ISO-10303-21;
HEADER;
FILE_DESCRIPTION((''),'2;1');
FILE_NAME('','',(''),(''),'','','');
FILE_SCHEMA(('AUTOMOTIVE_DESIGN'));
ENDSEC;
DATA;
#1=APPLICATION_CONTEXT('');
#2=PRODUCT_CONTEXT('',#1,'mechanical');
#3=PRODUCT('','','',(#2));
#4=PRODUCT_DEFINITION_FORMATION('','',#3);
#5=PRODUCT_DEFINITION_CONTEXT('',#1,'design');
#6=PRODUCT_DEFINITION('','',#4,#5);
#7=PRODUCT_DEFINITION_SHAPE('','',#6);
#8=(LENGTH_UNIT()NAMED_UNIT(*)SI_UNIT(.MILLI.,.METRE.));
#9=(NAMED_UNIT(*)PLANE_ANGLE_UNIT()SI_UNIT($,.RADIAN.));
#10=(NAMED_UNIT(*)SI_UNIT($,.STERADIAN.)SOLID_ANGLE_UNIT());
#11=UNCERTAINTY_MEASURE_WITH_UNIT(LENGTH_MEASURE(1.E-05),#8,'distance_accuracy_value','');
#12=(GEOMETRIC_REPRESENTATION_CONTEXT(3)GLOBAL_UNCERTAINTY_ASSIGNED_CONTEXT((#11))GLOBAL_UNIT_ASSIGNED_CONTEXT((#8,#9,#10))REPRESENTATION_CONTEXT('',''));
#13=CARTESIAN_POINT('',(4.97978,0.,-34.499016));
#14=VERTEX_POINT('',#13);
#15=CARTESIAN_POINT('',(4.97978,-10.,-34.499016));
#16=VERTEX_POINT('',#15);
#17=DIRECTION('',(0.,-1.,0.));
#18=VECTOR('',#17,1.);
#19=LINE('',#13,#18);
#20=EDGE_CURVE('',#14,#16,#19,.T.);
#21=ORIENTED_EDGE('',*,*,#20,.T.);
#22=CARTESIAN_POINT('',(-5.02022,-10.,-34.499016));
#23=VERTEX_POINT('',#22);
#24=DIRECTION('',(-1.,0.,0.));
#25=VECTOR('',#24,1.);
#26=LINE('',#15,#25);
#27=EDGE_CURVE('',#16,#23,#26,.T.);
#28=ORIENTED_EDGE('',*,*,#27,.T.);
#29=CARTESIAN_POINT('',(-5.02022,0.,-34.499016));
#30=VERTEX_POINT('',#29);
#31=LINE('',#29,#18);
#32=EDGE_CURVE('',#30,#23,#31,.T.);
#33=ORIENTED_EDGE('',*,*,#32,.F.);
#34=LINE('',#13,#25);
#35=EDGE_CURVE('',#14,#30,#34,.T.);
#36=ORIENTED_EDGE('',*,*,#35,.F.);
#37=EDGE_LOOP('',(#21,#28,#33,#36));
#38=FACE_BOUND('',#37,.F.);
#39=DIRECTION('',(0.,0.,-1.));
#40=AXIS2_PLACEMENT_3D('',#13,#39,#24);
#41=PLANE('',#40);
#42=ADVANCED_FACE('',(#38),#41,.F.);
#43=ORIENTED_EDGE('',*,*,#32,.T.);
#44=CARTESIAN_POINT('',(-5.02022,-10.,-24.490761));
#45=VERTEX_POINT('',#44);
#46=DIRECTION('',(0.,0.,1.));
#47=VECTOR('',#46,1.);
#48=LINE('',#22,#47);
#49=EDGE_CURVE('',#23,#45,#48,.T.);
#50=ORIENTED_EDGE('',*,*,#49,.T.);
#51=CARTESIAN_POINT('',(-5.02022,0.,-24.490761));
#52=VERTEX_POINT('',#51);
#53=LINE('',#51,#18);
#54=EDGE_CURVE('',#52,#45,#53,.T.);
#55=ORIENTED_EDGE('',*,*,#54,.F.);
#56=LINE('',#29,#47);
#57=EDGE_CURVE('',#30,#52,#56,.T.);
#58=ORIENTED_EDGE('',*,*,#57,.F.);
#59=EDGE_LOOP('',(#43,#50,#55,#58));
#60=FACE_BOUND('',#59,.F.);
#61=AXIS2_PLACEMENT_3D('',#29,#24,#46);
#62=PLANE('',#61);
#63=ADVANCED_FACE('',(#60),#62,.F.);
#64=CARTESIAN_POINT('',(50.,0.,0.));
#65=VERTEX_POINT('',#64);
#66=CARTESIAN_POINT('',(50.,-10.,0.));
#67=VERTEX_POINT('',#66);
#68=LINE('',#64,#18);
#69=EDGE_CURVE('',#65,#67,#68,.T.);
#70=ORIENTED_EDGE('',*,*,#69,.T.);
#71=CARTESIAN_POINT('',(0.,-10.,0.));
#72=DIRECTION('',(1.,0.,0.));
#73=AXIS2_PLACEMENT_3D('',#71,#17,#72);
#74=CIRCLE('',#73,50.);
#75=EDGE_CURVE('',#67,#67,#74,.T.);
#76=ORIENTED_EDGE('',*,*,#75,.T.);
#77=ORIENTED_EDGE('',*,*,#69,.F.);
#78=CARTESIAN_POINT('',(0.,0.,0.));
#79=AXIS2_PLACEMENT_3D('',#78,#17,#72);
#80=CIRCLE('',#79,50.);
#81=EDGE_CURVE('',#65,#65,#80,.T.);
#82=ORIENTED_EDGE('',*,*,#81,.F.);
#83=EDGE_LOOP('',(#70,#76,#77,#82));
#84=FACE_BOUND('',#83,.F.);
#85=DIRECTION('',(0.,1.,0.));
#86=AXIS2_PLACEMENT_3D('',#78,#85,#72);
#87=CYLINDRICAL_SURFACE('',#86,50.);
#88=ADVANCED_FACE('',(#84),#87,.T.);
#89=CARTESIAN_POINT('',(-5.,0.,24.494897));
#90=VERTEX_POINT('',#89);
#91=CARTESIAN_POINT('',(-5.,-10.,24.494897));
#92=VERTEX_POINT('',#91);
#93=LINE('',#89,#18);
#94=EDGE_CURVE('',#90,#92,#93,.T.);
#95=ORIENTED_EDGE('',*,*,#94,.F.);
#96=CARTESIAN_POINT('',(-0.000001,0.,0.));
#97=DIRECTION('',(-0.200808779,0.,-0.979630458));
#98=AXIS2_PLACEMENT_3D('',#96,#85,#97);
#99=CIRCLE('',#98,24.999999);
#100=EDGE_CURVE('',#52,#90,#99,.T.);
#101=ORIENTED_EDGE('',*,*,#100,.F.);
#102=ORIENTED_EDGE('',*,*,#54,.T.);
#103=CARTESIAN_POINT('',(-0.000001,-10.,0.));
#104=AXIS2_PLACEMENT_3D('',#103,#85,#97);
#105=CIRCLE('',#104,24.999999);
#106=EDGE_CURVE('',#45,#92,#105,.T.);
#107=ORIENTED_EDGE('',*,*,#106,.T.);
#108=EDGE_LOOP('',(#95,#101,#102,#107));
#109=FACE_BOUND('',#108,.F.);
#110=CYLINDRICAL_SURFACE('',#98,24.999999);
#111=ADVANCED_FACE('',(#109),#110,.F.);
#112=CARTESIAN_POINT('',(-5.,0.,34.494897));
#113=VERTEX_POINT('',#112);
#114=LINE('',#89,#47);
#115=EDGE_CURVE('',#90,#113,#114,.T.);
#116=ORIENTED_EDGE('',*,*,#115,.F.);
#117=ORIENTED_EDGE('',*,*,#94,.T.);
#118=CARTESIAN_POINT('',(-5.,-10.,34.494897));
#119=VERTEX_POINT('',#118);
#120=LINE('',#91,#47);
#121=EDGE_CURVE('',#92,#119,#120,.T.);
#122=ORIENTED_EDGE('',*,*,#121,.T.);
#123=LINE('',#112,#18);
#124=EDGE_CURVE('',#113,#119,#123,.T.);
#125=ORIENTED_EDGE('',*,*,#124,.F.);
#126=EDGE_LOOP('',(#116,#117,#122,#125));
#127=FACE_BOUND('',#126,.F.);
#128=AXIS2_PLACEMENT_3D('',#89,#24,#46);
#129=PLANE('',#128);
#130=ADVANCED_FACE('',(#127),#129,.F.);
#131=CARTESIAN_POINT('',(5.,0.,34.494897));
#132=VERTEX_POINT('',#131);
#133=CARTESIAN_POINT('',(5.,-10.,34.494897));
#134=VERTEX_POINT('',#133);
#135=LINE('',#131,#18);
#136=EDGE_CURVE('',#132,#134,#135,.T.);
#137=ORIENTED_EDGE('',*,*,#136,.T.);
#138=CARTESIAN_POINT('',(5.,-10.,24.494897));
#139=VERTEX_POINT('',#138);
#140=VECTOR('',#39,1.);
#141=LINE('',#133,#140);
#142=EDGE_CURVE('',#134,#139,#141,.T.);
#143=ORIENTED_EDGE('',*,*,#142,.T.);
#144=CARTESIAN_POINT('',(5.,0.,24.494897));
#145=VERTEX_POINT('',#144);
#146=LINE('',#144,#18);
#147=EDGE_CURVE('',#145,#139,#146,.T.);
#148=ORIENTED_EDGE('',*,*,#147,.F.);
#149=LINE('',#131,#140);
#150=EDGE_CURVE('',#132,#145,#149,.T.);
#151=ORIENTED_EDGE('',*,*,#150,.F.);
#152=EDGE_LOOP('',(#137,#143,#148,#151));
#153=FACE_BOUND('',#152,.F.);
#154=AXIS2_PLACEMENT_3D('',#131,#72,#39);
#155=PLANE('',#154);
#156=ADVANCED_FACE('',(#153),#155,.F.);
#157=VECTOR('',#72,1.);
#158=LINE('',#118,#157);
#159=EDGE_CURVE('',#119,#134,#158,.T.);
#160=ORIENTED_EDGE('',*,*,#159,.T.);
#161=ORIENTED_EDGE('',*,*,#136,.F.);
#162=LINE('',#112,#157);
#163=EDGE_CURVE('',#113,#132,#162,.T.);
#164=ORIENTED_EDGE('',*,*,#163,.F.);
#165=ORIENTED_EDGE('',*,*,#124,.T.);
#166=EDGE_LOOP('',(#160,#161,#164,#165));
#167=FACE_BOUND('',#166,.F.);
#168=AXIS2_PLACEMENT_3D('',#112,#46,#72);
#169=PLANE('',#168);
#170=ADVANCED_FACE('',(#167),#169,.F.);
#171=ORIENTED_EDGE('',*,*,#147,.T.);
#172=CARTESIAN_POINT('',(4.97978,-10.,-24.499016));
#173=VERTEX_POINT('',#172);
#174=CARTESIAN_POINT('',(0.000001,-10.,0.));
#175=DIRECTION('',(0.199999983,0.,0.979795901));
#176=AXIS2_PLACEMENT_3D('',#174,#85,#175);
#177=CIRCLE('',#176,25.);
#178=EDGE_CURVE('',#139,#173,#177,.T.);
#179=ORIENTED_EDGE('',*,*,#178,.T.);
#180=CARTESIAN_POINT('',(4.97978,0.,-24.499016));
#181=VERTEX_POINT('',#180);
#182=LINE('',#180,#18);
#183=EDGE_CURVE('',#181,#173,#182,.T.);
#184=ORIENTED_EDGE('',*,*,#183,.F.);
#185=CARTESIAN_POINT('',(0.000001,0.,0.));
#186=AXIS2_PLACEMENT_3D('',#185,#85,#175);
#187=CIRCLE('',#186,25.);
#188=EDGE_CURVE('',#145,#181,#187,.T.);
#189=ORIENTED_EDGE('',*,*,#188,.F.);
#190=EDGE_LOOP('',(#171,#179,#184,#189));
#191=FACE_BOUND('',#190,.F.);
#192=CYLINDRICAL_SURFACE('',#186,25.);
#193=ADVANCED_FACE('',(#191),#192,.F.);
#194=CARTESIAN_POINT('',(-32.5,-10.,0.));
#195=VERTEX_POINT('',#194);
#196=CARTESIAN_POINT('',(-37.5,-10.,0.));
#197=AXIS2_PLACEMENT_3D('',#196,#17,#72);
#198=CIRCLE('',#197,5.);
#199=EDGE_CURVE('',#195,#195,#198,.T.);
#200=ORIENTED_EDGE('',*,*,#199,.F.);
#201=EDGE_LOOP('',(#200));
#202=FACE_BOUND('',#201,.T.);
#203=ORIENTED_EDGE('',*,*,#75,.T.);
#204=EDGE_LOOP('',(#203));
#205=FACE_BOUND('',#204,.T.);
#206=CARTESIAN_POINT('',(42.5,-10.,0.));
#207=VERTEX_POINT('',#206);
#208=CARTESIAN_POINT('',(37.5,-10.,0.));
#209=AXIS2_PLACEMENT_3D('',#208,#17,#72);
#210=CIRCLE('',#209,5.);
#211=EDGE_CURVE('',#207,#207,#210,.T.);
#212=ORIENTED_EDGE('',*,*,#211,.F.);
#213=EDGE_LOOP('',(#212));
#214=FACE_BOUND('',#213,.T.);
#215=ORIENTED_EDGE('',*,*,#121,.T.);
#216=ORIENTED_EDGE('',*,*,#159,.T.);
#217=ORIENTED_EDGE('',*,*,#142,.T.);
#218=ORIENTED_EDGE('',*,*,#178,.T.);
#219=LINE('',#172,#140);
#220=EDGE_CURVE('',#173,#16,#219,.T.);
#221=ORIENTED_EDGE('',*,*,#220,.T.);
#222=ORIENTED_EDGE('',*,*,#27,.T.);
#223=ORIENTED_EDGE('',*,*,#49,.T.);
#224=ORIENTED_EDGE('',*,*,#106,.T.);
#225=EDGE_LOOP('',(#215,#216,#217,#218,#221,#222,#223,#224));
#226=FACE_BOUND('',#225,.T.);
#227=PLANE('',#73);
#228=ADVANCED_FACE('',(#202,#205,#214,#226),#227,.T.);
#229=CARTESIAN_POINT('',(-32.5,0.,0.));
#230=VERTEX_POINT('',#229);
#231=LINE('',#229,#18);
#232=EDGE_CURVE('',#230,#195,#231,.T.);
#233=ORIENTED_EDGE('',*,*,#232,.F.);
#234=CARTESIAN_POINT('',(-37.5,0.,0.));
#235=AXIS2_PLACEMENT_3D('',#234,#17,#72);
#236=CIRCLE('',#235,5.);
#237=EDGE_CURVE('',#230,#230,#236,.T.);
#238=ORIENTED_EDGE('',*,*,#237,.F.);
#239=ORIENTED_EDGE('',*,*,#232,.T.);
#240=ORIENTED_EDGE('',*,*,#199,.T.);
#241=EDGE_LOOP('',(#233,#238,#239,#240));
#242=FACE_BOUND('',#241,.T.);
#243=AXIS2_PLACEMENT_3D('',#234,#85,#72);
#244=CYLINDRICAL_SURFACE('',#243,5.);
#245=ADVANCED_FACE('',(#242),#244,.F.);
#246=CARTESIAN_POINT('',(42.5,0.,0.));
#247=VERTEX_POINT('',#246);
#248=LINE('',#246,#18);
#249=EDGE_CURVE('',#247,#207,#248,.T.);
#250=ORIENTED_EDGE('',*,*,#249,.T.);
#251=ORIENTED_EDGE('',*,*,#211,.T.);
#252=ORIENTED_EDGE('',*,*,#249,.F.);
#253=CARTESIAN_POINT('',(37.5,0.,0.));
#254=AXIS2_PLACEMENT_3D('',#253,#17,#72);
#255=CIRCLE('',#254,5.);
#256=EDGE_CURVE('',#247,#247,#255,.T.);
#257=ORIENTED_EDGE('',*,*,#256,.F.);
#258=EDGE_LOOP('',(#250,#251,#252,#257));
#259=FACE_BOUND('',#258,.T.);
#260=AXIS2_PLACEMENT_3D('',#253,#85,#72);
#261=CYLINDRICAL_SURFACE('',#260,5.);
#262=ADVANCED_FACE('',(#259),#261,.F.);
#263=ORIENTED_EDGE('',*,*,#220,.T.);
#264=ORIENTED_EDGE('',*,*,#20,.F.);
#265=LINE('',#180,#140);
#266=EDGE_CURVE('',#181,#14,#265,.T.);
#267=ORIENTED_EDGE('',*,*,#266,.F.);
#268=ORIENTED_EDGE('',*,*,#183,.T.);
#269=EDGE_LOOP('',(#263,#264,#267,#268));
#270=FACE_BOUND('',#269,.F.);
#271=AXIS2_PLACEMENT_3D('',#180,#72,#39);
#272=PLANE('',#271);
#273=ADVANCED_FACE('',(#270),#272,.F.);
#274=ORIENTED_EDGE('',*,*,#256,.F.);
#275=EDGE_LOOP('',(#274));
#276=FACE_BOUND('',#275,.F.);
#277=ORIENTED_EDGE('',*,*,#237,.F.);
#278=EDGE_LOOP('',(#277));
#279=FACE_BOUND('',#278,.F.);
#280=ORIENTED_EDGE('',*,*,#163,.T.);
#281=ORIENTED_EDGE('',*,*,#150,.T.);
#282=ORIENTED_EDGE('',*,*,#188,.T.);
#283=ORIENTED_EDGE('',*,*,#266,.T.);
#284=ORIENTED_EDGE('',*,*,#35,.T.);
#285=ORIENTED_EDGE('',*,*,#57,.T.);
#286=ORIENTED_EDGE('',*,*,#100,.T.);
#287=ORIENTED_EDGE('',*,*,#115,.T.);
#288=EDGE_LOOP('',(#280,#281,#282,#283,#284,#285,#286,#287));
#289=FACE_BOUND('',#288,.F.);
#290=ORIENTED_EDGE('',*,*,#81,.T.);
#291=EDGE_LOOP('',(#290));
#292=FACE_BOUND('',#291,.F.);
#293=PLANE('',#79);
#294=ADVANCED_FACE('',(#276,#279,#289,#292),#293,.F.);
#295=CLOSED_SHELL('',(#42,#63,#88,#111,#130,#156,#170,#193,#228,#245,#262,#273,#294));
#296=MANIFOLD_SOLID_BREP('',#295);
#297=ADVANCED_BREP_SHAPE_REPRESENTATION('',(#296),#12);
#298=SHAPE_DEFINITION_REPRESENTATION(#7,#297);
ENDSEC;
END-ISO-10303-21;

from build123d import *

# Parameters (mm, degrees)
F0_R     = 50
F0_R_2   = 5
F2_DEPTH = 10


with BuildPart() as f2:
    # F0 (on Front) → F2 (new body)
    with BuildSketch(Plane.XZ):
        Circle(F0_R)
        with BuildLine():
            ThreePointArc((-5.02022, -24.490761), (-24.999998, 0.010319), (-5, 24.494897))
            Line((-5, 24.494897), (-5, 34.494897))
            Line((-5, 34.494897), (0, 34.494897))
            Line((0, 34.494897), (5, 34.494897))
            Line((5, 34.494897), (5, 24.494897))
            ThreePointArc((5, 24.494897), (24.999998, -0.010318), (4.97978, -24.499016))
            Line((4.97978, -24.499016), (4.97978, -34.499016))
            Line((4.97978, -34.499016), (-5.02022, -34.499016))
            Line((-5.02022, -34.499016), (-5.02022, -24.490761))
        make_face(mode=Mode.SUBTRACT)
        with Locations((-37.5, 0)):
            Circle(F0_R_2, mode=Mode.SUBTRACT)
        with Locations((37.5, 0)):
            Circle(F0_R_2, mode=Mode.SUBTRACT)
    extrude(amount=F2_DEPTH)


solid = f2.part
